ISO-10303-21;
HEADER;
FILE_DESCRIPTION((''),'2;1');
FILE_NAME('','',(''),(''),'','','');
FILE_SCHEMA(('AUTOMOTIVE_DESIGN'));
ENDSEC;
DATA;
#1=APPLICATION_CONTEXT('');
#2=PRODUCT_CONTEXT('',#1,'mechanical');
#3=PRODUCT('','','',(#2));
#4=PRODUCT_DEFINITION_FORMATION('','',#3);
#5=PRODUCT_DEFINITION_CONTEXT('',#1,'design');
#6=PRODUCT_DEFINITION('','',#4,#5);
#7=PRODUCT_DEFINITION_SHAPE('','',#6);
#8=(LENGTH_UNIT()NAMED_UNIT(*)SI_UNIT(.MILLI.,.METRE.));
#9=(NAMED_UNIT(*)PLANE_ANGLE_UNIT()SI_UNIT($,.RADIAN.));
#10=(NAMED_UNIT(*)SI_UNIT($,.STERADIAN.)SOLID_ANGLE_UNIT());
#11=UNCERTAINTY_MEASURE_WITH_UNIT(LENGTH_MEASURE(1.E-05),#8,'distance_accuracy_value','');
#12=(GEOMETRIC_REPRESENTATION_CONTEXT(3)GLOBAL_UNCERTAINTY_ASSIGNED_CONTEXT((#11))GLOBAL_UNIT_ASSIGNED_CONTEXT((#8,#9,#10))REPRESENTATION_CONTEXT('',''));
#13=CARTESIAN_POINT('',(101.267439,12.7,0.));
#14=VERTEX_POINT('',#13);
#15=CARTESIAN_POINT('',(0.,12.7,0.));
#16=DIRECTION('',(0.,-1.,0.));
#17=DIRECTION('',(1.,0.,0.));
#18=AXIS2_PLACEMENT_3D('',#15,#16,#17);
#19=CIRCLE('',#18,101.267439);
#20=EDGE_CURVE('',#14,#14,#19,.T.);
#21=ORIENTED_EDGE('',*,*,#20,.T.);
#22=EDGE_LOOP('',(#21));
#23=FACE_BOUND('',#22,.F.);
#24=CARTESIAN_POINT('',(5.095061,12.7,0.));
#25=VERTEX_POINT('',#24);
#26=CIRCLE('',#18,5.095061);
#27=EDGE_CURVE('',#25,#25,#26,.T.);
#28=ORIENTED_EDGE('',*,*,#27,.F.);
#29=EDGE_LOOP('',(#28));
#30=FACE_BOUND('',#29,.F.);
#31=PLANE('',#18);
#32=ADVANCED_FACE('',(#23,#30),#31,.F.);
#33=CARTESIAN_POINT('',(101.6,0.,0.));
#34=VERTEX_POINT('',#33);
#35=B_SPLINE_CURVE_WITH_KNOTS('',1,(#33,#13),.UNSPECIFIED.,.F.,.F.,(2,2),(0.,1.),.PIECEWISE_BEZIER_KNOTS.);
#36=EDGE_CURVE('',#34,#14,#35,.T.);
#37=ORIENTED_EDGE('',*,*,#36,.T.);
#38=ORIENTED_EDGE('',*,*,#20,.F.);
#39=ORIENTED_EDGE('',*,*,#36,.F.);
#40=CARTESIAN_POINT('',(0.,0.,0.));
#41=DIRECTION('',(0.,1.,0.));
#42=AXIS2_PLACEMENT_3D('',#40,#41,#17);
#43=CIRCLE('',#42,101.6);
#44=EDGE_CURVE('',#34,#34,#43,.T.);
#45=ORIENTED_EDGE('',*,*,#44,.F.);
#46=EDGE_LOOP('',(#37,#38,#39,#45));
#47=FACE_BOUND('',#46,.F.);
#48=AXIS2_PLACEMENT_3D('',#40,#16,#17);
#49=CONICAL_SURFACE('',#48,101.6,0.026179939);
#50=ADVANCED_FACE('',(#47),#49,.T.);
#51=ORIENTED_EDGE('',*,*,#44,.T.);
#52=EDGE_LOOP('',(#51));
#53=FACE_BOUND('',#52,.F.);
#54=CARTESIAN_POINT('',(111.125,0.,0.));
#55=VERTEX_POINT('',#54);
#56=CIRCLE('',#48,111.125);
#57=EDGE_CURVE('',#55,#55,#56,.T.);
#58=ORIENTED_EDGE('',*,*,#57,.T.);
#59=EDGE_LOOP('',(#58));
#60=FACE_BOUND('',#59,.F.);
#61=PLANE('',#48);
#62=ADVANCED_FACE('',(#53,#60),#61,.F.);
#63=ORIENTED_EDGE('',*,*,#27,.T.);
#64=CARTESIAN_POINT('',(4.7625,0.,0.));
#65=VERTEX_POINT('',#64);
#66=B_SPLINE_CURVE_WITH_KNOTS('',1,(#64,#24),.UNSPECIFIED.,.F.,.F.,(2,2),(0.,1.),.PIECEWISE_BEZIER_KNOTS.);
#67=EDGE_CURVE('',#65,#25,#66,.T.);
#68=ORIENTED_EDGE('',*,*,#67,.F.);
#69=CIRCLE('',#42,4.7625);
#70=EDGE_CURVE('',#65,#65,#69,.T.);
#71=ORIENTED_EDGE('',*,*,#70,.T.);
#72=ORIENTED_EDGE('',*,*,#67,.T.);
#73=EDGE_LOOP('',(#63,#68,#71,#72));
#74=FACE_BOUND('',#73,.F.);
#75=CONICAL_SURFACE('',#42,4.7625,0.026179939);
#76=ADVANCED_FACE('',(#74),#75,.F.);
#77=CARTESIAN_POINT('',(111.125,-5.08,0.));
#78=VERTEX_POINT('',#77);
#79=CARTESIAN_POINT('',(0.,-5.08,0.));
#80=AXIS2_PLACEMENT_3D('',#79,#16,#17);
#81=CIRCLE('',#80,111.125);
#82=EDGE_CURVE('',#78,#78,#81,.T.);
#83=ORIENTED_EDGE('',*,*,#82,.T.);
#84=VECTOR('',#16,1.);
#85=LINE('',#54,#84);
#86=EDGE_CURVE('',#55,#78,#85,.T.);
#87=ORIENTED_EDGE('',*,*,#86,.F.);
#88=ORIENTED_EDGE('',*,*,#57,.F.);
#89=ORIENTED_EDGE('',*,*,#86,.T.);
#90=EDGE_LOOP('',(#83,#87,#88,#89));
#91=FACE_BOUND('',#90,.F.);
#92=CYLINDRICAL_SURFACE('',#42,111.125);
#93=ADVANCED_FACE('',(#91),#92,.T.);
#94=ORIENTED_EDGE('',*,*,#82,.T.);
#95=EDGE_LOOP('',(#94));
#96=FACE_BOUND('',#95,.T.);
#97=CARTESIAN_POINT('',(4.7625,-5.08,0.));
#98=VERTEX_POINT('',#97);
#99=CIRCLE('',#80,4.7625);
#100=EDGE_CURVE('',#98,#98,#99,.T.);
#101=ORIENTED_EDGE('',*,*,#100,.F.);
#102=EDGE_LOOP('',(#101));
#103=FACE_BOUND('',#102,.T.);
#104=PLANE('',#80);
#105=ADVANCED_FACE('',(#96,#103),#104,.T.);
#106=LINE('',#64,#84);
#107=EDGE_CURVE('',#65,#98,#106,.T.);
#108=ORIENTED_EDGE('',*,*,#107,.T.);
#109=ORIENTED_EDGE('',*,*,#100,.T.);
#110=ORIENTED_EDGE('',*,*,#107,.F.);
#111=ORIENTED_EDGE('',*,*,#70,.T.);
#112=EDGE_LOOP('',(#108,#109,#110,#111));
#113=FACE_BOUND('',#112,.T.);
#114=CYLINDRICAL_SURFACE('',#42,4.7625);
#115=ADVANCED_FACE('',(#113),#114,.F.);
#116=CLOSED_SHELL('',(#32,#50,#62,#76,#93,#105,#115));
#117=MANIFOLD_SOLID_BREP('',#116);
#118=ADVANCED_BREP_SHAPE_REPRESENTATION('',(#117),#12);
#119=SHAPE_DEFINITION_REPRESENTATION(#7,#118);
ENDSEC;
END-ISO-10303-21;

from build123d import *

# Parameters (mm, degrees)
F0_R     = 101.6
F0_R_2   = 4.7625
F1_DEPTH = 12.7
F1_TAPER = 1.5
F0_R_3   = 111.125
F2_DEPTH = 5.08


with BuildPart() as f1:
    # F0 (on Front) → F1 (new body)
    with BuildSketch(Plane.XZ):
        Circle(F0_R)
        Circle(F0_R_2, mode=Mode.SUBTRACT)
    extrude(amount=-F1_DEPTH, taper=F1_TAPER)

    # F0 (on Front) → F2 (join)
    with BuildSketch(Plane.XZ):
        Circle(F0_R_3)
        Circle(F0_R, mode=Mode.SUBTRACT)
        Circle(F0_R)
        Circle(F0_R_2, mode=Mode.SUBTRACT)
    extrude(amount=F2_DEPTH)


solid = f1.part
